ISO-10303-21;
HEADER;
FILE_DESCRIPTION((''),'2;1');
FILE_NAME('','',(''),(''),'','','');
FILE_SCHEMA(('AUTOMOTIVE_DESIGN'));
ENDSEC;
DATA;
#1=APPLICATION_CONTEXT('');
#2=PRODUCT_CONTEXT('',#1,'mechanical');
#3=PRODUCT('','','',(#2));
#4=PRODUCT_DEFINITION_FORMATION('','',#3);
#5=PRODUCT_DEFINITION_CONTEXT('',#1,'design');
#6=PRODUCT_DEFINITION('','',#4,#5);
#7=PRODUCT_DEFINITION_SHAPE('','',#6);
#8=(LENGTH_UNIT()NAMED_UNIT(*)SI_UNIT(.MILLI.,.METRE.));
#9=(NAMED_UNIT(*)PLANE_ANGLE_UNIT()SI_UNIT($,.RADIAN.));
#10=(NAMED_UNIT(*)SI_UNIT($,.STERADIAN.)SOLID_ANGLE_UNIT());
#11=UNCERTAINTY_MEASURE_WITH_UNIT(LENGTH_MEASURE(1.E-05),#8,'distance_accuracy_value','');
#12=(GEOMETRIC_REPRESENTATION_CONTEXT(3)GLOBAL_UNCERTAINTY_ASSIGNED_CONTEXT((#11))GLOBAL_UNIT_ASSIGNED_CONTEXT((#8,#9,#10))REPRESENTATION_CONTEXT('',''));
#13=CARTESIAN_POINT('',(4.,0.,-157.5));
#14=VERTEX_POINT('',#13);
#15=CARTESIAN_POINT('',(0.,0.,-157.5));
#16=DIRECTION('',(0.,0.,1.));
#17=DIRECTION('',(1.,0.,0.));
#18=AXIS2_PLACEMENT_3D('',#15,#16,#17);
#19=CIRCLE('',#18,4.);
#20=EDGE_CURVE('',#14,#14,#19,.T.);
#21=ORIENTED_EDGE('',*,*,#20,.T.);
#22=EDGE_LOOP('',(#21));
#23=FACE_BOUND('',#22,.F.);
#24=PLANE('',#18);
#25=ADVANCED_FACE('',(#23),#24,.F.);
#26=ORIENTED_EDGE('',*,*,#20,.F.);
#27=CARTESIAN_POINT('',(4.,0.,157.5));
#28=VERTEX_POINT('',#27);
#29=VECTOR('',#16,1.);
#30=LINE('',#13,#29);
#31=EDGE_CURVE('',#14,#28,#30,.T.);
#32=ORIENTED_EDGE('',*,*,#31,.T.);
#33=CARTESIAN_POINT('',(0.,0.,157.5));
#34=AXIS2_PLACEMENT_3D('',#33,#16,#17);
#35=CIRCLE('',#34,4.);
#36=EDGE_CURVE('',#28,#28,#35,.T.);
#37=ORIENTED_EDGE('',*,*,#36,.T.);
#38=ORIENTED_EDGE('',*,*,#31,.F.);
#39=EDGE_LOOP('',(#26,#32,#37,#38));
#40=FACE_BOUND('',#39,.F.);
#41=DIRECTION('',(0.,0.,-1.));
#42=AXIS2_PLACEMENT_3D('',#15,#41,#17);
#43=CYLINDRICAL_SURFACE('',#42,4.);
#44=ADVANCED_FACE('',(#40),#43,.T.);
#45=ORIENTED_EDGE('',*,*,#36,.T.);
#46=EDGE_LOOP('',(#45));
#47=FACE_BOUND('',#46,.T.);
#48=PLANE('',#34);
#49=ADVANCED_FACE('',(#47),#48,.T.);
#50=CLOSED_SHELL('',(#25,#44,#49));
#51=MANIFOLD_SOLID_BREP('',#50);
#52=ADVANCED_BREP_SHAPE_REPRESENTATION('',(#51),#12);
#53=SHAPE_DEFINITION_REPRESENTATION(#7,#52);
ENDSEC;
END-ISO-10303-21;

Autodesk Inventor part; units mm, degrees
ref_plane "YZ Plane" through (0, 0, 0) normal (1, 0, 0) x (0, 1, 0)
ref_plane "XZ Plane" through (0, 0, 0) normal (0, 1, 0) x (-1, 0, 0)
ref_plane "Work Plane1" through (0, 0, -157.5) normal (0, 0, 1) x (1, 0, 0)
sketch "Sketch1" plane through (0, 0, -157.5) normal (0, 0, 1) x (1, 0, 0)
  circle A0 centre (0, 0) radius 4
extrude "Extrusion1" add sketch "Sketch1" along normal blind 315
properties part number "Y-axis Rod 8mm" material "Steel, Carbon"
